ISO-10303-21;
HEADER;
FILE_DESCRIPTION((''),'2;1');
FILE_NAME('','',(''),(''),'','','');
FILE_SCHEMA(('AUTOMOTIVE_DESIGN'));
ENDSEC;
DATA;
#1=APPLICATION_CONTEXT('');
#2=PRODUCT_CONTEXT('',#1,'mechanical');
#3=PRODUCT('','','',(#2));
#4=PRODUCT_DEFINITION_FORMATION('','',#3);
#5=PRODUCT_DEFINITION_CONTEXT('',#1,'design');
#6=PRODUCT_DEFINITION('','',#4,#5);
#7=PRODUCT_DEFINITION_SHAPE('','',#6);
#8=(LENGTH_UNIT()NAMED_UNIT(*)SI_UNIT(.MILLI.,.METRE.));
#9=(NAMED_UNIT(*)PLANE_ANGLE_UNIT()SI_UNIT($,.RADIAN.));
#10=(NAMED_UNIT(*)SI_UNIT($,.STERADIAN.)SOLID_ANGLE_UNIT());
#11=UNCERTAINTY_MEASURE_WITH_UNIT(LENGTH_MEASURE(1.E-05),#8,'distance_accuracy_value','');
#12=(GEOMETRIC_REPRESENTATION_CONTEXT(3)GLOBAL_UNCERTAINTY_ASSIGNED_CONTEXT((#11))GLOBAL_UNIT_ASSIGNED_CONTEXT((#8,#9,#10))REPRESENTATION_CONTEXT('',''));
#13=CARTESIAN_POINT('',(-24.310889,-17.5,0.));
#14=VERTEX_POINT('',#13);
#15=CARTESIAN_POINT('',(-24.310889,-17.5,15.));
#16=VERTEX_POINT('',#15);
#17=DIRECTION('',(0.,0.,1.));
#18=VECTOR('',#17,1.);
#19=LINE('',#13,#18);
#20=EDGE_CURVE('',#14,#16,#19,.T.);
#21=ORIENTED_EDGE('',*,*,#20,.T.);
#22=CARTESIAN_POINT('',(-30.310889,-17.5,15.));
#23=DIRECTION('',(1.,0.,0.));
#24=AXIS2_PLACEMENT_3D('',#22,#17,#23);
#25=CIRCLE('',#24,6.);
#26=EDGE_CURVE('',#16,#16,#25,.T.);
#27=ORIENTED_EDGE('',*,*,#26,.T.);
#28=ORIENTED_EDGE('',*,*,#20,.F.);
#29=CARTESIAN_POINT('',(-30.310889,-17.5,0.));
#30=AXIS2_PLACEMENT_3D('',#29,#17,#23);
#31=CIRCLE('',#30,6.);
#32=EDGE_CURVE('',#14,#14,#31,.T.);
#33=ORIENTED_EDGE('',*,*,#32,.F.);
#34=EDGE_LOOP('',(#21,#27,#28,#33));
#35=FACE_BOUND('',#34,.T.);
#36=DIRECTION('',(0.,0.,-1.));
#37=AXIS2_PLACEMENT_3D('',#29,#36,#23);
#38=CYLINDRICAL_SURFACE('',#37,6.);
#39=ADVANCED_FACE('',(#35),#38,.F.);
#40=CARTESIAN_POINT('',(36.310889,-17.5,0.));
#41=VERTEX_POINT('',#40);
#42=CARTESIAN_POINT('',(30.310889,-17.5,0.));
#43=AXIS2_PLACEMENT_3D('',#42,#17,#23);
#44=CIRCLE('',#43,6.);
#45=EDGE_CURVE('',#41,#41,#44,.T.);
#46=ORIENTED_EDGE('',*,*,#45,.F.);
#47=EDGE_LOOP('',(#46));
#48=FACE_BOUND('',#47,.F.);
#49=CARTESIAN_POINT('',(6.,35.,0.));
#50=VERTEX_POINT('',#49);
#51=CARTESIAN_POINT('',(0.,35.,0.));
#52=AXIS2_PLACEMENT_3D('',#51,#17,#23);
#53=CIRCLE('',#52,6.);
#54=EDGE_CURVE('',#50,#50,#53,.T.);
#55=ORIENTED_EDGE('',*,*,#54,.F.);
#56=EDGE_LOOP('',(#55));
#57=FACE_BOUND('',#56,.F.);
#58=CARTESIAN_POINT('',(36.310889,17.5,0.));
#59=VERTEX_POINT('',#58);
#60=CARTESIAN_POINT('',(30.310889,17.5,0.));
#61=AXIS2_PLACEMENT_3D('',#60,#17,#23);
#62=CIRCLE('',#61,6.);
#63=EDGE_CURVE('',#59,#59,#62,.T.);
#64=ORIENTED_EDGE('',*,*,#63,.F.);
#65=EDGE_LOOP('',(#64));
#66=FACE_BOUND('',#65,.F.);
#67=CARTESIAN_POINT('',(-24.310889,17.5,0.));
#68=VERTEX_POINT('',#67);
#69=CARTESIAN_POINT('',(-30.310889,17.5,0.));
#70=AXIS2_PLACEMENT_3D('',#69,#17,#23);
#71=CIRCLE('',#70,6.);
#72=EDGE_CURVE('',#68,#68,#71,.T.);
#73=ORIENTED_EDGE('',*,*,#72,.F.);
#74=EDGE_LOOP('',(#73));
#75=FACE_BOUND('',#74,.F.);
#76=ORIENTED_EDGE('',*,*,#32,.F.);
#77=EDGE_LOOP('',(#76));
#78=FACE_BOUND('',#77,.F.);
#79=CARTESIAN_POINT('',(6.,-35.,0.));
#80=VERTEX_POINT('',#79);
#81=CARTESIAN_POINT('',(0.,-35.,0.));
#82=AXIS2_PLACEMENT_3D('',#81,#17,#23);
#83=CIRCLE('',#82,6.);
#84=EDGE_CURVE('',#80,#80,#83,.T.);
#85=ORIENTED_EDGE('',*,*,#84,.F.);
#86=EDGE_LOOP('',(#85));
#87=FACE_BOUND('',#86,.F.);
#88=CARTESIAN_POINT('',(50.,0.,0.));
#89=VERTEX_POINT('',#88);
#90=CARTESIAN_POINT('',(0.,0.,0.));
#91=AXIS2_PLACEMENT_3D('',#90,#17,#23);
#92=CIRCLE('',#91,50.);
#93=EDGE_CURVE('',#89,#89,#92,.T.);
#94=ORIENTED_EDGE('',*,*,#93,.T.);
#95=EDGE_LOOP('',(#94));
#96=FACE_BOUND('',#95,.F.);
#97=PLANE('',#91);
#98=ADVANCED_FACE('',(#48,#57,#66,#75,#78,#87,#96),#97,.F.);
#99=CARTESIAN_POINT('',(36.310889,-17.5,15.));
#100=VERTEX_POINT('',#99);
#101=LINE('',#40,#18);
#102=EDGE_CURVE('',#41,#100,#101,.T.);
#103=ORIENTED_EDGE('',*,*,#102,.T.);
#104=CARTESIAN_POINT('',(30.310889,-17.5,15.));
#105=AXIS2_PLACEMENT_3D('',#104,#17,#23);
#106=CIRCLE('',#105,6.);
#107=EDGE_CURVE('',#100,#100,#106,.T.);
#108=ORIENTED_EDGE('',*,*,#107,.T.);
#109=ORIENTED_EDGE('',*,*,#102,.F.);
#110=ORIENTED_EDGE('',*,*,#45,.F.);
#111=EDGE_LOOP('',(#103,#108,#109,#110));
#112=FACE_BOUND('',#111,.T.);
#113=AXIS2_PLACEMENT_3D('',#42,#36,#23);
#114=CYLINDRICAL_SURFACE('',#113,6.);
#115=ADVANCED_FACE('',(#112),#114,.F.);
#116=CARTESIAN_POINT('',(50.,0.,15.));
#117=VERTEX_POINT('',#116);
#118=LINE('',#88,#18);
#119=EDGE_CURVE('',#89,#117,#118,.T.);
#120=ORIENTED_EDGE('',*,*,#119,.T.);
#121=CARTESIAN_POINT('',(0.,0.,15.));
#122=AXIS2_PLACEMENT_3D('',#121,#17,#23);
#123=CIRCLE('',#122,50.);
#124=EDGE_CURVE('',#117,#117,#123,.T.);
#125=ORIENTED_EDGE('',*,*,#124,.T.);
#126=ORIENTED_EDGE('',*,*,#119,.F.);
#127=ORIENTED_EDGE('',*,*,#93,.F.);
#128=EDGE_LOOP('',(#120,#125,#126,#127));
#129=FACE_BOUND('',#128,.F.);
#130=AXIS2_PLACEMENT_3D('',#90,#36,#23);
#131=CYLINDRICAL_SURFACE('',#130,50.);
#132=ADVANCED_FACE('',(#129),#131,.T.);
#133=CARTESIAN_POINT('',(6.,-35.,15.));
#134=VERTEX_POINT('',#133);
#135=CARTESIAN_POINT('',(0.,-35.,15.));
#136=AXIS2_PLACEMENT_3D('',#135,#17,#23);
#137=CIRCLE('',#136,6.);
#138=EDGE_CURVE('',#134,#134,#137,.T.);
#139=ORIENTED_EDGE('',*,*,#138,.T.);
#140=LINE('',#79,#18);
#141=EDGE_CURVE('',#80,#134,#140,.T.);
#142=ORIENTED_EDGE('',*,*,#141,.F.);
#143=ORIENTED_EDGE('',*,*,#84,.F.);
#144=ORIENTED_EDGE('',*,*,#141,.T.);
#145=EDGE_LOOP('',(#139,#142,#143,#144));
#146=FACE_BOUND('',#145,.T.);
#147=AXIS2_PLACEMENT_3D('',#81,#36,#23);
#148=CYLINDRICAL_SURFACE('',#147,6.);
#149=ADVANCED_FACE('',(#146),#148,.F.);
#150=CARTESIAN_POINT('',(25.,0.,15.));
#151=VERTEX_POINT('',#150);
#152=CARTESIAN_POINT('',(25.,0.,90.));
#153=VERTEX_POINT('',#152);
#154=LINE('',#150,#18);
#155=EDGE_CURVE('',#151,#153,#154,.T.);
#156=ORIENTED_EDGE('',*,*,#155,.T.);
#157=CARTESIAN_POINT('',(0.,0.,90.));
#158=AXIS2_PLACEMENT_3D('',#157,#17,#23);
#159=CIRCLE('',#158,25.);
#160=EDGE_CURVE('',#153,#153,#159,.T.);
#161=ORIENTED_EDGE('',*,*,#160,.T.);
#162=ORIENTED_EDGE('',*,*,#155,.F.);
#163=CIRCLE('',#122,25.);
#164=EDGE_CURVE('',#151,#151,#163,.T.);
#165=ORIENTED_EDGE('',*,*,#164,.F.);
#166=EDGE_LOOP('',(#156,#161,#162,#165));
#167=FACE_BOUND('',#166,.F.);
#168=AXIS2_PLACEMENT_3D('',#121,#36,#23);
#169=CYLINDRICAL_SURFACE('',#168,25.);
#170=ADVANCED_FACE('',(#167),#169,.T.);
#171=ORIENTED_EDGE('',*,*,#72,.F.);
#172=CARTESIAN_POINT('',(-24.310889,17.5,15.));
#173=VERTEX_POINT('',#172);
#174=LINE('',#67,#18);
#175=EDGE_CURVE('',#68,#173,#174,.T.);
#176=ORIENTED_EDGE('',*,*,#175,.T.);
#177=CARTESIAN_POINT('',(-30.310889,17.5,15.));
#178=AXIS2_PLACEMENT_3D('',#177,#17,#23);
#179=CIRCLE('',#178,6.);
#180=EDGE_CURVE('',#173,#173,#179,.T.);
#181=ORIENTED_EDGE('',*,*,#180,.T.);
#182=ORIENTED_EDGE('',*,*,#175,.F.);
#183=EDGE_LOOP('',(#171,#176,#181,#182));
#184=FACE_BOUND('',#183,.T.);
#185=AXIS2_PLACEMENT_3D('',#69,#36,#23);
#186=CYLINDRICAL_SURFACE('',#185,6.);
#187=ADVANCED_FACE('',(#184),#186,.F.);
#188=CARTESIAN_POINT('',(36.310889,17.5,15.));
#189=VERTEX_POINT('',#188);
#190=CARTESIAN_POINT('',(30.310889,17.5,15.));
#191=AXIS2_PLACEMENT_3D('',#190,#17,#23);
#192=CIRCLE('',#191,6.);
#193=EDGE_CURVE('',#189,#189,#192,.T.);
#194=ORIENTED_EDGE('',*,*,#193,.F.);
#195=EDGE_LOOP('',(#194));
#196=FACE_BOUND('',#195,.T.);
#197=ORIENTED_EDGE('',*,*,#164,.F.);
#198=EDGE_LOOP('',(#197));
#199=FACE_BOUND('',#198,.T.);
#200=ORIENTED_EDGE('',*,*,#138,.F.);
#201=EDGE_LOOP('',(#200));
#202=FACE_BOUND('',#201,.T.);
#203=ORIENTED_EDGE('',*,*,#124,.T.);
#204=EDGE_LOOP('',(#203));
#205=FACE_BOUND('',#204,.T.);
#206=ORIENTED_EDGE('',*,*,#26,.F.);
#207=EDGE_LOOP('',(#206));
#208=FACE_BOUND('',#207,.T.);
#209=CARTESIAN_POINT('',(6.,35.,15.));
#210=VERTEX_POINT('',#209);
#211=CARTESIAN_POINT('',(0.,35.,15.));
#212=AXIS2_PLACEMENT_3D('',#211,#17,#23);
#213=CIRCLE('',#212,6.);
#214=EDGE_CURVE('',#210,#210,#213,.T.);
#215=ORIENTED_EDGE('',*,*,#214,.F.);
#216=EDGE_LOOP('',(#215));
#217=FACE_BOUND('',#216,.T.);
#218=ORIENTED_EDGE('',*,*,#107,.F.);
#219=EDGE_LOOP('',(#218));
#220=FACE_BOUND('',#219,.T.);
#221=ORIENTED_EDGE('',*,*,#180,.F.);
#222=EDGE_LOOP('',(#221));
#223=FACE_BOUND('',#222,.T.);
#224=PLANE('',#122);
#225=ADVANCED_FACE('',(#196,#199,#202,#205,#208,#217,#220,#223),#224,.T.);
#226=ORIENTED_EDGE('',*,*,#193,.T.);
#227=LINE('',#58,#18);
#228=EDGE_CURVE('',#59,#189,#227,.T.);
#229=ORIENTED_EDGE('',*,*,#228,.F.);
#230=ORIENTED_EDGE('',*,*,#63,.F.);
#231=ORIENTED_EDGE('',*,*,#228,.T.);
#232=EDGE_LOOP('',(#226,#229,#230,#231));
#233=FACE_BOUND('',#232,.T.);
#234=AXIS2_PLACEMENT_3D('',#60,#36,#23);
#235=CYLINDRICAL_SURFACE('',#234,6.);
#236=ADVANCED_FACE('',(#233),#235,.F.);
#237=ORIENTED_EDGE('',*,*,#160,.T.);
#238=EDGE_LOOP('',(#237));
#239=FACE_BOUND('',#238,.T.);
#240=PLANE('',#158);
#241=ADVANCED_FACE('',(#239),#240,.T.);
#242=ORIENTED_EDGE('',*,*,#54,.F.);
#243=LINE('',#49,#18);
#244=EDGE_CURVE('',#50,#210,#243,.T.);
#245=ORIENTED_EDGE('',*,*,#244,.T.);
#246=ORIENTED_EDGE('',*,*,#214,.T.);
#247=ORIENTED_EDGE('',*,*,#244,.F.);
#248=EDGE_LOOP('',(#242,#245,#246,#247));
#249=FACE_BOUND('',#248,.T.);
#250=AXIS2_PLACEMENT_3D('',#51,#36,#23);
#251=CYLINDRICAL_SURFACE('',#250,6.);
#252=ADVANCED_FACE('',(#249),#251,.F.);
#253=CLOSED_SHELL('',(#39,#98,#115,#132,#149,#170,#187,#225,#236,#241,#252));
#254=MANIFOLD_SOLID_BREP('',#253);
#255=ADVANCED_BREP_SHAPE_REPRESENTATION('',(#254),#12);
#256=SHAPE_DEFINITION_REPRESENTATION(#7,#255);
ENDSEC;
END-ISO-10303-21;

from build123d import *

# Parameters (mm, degrees)
F0_R     = 50
F0_R_2   = 6
F1_DEPTH = 15
F2_R     = 25
F3_DEPTH = 75


with BuildPart() as f1:
    # F0 (on Top) → F1 (new body)
    with BuildSketch(Plane.XY):
        Circle(F0_R)
        with Locations((-30.310889, -17.5)):
            Circle(F0_R_2, mode=Mode.SUBTRACT)
        with Locations((0, -35)):
            Circle(F0_R_2, mode=Mode.SUBTRACT)
        with Locations((30.310889, -17.5)):
            Circle(F0_R_2, mode=Mode.SUBTRACT)
        with Locations((-30.310889, 17.5)):
            Circle(F0_R_2, mode=Mode.SUBTRACT)
        with Locations((30.310889, 17.5)):
            Circle(F0_R_2, mode=Mode.SUBTRACT)
        with Locations((0, 35)):
            Circle(F0_R_2, mode=Mode.SUBTRACT)
    extrude(amount=F1_DEPTH)

    # F2 (on face) → F3 (join)
    with BuildSketch(Plane.XY.offset(15)):
        Circle(F2_R)
    extrude(amount=F3_DEPTH)


solid = f1.part
